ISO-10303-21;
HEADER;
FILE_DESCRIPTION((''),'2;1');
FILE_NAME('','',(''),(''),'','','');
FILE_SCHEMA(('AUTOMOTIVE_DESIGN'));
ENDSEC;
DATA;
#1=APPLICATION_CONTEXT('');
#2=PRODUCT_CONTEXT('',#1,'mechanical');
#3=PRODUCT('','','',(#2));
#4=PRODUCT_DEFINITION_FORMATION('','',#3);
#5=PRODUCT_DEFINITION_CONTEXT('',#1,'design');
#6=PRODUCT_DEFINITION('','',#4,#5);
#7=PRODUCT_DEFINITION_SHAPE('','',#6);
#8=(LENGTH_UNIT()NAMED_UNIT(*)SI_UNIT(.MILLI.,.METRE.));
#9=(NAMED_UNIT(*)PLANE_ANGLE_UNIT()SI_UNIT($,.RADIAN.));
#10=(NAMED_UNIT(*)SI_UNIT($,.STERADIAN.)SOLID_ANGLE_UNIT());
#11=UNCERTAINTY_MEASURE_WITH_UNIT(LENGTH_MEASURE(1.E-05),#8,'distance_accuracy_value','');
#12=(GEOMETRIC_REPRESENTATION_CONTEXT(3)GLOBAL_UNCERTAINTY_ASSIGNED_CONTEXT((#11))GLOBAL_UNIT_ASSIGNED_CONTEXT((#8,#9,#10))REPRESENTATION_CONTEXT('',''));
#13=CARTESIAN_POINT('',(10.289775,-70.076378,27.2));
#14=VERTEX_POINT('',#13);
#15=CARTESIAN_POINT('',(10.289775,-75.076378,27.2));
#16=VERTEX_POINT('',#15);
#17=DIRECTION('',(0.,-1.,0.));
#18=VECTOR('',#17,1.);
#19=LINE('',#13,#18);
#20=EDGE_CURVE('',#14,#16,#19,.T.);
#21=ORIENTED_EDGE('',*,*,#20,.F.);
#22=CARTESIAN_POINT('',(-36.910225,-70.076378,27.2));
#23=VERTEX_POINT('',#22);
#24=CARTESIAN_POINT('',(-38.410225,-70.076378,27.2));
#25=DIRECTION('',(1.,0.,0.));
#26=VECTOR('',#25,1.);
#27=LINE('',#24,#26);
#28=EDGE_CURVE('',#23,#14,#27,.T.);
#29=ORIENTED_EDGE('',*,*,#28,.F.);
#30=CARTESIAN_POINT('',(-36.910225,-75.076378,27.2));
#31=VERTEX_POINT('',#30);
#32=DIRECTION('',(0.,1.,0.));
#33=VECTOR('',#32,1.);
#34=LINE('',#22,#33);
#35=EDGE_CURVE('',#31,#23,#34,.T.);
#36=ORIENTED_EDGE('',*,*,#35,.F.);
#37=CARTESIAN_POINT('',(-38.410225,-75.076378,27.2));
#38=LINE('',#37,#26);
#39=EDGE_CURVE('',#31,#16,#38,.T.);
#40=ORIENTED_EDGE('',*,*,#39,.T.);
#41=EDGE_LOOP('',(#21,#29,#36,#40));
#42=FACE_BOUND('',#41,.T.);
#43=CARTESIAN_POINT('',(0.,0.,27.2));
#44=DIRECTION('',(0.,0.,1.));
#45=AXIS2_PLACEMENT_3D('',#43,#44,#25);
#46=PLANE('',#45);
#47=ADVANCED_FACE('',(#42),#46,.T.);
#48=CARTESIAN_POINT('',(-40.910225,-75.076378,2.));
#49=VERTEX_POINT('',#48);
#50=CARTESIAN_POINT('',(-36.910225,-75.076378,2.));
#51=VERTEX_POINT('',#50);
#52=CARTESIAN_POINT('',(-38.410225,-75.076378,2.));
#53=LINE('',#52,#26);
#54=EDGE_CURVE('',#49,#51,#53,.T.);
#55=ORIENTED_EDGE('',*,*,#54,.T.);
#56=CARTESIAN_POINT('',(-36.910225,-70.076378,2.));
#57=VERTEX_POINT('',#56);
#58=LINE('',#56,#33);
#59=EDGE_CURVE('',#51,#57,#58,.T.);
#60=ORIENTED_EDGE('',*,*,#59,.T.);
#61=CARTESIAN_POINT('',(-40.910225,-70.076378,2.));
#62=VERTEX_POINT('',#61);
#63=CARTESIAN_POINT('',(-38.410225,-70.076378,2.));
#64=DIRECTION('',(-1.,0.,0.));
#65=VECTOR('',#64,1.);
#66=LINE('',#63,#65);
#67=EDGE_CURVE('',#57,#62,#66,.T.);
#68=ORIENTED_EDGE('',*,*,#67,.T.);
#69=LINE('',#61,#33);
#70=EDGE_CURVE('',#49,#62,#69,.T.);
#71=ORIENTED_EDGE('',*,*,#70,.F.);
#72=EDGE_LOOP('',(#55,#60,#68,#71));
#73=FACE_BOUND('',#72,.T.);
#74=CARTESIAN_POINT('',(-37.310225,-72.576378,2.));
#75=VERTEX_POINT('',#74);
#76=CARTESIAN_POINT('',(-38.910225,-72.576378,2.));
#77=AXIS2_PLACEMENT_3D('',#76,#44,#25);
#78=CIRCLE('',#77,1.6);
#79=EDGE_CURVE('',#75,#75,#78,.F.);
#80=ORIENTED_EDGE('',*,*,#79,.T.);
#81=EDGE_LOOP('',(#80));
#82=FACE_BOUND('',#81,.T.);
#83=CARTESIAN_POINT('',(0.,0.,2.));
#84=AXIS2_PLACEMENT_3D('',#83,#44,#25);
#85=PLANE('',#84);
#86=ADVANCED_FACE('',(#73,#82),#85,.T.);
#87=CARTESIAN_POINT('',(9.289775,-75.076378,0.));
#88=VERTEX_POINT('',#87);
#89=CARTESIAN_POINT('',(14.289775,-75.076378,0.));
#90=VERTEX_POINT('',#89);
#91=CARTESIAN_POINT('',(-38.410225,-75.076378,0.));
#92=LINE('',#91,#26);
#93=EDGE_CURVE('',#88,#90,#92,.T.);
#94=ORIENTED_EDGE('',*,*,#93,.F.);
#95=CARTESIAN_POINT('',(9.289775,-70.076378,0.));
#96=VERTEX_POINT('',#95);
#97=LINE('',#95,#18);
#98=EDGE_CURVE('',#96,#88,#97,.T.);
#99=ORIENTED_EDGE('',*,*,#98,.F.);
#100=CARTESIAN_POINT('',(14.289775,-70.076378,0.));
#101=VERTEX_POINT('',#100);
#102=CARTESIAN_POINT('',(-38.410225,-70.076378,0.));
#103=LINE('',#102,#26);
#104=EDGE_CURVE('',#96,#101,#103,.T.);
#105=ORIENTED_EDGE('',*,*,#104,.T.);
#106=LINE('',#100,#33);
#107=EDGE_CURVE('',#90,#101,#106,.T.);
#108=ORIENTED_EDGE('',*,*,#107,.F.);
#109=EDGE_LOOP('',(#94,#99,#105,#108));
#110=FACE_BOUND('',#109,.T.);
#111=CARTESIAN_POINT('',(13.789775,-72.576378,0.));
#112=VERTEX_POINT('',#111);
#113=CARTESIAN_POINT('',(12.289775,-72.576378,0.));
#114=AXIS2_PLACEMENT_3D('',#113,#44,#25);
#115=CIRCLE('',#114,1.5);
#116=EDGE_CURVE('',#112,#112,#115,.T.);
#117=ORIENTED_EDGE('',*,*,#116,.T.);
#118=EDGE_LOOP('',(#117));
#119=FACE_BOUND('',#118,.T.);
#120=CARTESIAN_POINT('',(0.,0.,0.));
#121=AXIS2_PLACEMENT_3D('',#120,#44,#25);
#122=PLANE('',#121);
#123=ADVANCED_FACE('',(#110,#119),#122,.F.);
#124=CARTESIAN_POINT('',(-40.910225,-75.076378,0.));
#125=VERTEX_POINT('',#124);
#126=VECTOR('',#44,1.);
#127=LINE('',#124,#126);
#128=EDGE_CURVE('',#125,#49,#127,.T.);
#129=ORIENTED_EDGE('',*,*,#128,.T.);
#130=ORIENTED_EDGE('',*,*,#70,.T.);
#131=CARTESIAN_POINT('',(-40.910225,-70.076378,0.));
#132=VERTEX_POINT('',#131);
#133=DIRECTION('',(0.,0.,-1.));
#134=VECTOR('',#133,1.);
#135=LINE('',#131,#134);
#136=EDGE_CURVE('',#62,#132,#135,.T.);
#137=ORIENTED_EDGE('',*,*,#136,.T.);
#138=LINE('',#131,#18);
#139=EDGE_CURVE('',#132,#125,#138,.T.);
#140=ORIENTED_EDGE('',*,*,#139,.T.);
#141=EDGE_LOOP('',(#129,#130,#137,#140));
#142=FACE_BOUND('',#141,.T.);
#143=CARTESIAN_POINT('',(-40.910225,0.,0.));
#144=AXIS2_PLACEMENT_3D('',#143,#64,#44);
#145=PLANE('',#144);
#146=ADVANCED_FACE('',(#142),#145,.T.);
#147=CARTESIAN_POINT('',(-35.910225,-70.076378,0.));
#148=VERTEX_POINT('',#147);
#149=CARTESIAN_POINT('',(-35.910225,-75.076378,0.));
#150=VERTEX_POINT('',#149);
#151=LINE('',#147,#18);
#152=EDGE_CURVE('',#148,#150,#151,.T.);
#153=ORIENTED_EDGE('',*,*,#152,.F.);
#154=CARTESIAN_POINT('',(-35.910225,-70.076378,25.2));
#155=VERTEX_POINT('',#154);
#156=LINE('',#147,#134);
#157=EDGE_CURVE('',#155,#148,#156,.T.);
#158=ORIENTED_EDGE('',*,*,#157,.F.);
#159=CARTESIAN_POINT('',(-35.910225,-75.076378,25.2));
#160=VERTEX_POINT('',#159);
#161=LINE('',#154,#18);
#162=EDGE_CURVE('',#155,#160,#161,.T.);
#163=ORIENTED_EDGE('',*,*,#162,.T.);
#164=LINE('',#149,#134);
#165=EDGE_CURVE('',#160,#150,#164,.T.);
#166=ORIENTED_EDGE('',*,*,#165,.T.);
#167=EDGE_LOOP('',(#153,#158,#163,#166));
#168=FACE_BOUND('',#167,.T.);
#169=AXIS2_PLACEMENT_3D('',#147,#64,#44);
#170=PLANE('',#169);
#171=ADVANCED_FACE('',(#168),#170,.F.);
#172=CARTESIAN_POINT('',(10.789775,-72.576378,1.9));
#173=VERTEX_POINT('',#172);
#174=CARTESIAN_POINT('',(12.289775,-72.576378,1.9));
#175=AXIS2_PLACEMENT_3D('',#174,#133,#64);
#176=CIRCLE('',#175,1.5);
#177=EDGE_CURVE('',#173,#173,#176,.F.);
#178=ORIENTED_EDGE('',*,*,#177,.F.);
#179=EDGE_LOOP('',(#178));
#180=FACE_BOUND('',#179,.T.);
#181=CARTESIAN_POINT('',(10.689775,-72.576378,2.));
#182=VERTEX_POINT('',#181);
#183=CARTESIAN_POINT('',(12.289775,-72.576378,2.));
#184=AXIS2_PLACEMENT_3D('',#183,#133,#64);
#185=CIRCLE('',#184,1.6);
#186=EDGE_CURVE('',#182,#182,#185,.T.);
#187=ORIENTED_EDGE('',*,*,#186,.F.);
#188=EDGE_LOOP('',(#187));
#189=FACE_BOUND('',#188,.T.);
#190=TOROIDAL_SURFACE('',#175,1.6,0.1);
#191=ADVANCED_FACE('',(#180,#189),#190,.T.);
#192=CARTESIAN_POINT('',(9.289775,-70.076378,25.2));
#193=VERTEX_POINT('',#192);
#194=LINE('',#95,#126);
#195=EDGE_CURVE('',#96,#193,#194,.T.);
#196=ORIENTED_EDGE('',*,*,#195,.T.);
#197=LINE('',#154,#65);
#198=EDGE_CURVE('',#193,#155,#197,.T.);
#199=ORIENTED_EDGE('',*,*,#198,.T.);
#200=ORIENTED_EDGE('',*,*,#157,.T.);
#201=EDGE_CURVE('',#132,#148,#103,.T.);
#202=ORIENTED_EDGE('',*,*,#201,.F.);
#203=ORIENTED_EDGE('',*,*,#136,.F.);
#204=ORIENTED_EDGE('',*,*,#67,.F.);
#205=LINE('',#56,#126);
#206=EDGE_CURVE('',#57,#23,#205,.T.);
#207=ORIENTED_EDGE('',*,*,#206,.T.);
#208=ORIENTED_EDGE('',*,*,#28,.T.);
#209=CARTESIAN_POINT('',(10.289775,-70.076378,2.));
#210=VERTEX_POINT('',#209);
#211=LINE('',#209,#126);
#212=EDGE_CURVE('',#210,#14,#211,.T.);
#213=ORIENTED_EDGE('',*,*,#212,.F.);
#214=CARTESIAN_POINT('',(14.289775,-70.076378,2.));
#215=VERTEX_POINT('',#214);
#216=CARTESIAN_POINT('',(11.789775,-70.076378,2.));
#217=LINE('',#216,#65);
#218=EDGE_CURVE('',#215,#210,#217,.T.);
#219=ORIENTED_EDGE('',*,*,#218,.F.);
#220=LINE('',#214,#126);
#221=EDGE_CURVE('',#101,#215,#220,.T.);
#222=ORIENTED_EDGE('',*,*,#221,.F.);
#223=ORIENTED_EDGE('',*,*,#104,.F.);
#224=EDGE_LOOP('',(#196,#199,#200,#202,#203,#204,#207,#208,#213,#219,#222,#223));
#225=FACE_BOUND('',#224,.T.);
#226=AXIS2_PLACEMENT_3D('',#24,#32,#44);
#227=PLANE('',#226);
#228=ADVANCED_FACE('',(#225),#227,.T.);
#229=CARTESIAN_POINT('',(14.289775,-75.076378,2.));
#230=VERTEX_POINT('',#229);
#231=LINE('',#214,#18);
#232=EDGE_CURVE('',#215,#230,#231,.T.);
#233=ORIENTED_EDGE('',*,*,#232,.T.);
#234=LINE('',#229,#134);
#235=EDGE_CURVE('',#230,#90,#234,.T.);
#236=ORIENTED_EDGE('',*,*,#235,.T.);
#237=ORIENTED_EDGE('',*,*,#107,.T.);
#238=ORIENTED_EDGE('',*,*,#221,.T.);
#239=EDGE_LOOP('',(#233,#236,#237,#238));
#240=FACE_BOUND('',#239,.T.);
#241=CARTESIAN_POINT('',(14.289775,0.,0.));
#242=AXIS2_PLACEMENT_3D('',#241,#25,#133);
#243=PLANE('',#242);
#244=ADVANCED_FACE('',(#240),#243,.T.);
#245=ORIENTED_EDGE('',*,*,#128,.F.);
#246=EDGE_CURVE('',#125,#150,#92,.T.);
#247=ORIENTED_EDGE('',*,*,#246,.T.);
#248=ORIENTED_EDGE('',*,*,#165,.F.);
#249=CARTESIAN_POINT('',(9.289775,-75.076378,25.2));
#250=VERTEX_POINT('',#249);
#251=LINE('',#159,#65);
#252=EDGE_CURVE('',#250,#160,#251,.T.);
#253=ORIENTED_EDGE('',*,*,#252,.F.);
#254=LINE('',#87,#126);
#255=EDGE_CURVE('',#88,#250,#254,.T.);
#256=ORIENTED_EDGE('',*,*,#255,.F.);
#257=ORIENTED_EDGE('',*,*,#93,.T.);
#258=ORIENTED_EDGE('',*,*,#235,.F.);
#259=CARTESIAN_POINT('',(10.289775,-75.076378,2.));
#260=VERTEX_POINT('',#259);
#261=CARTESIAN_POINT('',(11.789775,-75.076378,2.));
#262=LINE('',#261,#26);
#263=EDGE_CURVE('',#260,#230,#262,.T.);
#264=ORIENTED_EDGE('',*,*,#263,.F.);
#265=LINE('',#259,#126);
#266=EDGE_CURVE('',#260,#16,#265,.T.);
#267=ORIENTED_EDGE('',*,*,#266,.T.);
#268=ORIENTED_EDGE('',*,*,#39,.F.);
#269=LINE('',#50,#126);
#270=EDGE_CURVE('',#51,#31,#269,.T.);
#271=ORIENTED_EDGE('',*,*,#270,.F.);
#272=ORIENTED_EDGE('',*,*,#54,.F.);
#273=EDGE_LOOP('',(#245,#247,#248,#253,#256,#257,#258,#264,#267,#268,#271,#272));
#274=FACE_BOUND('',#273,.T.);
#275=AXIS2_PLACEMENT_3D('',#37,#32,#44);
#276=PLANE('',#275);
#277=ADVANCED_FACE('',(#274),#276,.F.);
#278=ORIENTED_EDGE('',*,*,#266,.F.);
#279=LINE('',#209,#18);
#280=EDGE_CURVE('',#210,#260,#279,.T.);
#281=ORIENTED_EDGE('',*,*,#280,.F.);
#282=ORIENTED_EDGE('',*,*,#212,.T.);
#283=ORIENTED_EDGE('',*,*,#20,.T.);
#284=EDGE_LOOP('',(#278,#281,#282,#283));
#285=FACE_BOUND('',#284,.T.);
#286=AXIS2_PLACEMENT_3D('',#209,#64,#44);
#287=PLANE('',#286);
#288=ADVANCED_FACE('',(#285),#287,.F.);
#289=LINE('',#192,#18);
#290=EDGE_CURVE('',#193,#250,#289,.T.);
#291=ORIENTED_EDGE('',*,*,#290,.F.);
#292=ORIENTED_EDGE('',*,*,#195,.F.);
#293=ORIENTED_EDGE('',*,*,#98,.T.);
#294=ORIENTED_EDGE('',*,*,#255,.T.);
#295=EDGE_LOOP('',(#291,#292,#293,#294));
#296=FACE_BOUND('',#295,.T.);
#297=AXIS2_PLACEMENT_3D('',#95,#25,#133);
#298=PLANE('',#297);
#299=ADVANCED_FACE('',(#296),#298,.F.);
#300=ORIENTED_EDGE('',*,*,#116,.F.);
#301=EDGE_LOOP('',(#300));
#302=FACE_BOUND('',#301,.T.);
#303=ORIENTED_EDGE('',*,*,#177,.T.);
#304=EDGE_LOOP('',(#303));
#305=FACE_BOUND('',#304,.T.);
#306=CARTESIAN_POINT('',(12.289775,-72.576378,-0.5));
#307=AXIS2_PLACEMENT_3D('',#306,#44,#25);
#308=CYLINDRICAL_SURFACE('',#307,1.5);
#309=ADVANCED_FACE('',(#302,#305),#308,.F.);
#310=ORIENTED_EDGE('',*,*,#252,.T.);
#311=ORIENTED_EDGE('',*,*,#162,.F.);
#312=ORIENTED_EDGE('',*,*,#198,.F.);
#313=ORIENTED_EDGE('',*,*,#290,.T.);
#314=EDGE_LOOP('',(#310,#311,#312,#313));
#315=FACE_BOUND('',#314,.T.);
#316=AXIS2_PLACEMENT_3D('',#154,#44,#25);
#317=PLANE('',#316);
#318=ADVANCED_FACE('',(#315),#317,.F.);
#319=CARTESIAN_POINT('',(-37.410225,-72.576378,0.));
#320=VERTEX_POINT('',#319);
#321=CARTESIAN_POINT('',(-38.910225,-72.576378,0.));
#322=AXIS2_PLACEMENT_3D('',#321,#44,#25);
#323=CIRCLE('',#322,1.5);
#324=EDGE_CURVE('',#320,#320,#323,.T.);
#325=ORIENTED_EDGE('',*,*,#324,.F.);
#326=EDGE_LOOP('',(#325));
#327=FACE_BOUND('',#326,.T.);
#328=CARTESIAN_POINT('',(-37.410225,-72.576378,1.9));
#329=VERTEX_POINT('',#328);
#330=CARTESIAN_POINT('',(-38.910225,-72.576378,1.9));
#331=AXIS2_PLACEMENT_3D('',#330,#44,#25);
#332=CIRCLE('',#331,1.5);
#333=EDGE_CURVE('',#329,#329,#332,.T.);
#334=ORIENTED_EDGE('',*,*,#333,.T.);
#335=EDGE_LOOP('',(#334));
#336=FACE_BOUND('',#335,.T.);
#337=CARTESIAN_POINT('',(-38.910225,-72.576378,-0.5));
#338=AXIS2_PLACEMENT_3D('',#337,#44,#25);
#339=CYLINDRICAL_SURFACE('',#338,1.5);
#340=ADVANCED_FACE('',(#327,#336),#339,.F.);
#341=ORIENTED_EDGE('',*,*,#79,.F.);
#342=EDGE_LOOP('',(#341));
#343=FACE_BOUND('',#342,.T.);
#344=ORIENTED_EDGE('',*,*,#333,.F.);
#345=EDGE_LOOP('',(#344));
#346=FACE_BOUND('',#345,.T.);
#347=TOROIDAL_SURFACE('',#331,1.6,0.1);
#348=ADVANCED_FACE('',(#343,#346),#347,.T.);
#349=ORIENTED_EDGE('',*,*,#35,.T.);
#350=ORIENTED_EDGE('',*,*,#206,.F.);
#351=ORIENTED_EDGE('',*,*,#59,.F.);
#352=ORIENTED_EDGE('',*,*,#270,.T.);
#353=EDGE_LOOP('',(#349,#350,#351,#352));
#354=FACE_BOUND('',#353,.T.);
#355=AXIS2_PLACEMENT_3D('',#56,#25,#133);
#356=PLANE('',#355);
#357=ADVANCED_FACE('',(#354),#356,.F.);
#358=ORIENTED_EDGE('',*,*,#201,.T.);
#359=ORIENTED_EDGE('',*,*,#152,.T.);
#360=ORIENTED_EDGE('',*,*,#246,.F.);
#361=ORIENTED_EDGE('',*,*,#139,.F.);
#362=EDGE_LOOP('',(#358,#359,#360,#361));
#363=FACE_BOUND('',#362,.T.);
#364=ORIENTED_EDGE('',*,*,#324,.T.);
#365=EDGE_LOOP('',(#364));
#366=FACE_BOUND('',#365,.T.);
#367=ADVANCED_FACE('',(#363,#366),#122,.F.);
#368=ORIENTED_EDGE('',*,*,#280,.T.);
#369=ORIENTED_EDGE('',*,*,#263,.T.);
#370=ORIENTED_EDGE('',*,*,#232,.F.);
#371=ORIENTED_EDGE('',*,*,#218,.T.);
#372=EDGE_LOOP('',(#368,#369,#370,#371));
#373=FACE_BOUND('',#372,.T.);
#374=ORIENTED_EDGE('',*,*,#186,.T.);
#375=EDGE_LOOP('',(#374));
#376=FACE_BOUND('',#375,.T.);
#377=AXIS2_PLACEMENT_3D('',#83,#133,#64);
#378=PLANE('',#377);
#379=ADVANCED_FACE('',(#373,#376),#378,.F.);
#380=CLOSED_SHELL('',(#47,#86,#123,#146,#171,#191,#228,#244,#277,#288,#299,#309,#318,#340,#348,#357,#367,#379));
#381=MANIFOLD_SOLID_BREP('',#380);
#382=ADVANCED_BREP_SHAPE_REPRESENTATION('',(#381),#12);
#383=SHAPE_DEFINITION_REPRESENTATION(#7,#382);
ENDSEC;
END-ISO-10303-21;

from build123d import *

# Parameters (mm, degrees)
SKETCH10_W          = 50.2
SKETCH10_H          = 5
BOSS_EXTRUDE5_DEPTH = 27.2
SKETCH15_W          = 45.2
SKETCH15_H          = 25.2
CUT_EXTRUDE7_DEPTH  = 48.330596764
SKETCH16_W          = 1.5
SKETCH16_H          = 5
CUT_EXTRUDE8_DEPTH  = 25.2
SKETCH17_W          = 1.5
SKETCH17_H          = 5
CUT_EXTRUDE9_DEPTH  = 25.2
SKETCH19_W          = 2
SKETCH19_H          = 5
BOSS_EXTRUDE6_DEPTH = 2.5
SKETCH20_W          = 2
SKETCH20_H          = 5
BOSS_EXTRUDE7_DEPTH = 2.5
SKETCH21_R          = 1.5
CUT_EXTRUDE10_DEPTH = 2.5
FILLET4_R           = 0.1
SKETCH22_R          = 1.5
CUT_EXTRUDE11_DEPTH = 2.5
FILLET5_R           = 0.1


with BuildPart() as part:
    # Sketch10 → Boss-Extrude5 (new body)
    with BuildSketch(Plane.XY):
        with Locations((-13.310225071, -72.576377738)):
            Rectangle(SKETCH10_W, SKETCH10_H)
    extrude(amount=BOSS_EXTRUDE5_DEPTH)

    # Sketch15 → Cut-Extrude7 (cut, through all)
    with BuildSketch(Plane(origin=(0, -75.076377738, 0), x_dir=(-1, 0, 0), z_dir=(0, -1, 0))):
        with Locations((13.310225071, -12.6)):
            Rectangle(SKETCH15_W, SKETCH15_H)
    extrude(amount=-CUT_EXTRUDE7_DEPTH, mode=Mode.SUBTRACT)

    # Sketch16 → Cut-Extrude8 (cut)
    with BuildSketch(Plane.XY.offset(27.2)):
        with Locations((-37.660225071, -72.576377738)):
            Rectangle(SKETCH16_W, SKETCH16_H)
    extrude(amount=-CUT_EXTRUDE8_DEPTH, mode=Mode.SUBTRACT)

    # Sketch17 → Cut-Extrude9 (cut)
    with BuildSketch(Plane.XY.offset(27.2)):
        with Locations((11.039774929, -72.576377738)):
            Rectangle(SKETCH17_W, SKETCH17_H)
    extrude(amount=-CUT_EXTRUDE9_DEPTH, mode=Mode.SUBTRACT)

    # Sketch19 → Boss-Extrude6 (add)
    with BuildSketch(Plane.ZY.offset(38.410225071)):
        with Locations((1, -72.576377738)):
            Rectangle(SKETCH19_W, SKETCH19_H)
    extrude(amount=BOSS_EXTRUDE6_DEPTH)

    # Sketch20 → Boss-Extrude7 (add)
    with BuildSketch(Plane(origin=(11.789774929, 0, 0), x_dir=(0, 0, -1), z_dir=(1, 0, 0))):
        with Locations((-1, -72.576377738)):
            Rectangle(SKETCH20_W, SKETCH20_H)
    extrude(amount=BOSS_EXTRUDE7_DEPTH)

    # Sketch21 → Cut-Extrude10 (cut)
    with BuildSketch(Plane.XY.offset(2)):
        with Locations((-38.910225071, -72.576377738)):
            Circle(SKETCH21_R)
    extrude(amount=-CUT_EXTRUDE10_DEPTH, mode=Mode.SUBTRACT)

    # Fillet4
    fillet4_edges = [part.edges().sort_by_distance(p)[0] for p in [
        (-40.410225071, -72.576377738, 2),
    ]]
    fillet(fillet4_edges, radius=FILLET4_R)

    # Sketch22 → Cut-Extrude11 (cut)
    with BuildSketch(Plane.XY.offset(2)):
        with Locations((12.289774929, -72.576377738)):
            Circle(SKETCH22_R)
    extrude(amount=-CUT_EXTRUDE11_DEPTH, mode=Mode.SUBTRACT)

    # Fillet5
    fillet5_edges = [part.edges().sort_by_distance(p)[0] for p in [
        (10.789774929, -72.576377738, 2),
    ]]
    fillet(fillet5_edges, radius=FILLET5_R)


solid = part.part
